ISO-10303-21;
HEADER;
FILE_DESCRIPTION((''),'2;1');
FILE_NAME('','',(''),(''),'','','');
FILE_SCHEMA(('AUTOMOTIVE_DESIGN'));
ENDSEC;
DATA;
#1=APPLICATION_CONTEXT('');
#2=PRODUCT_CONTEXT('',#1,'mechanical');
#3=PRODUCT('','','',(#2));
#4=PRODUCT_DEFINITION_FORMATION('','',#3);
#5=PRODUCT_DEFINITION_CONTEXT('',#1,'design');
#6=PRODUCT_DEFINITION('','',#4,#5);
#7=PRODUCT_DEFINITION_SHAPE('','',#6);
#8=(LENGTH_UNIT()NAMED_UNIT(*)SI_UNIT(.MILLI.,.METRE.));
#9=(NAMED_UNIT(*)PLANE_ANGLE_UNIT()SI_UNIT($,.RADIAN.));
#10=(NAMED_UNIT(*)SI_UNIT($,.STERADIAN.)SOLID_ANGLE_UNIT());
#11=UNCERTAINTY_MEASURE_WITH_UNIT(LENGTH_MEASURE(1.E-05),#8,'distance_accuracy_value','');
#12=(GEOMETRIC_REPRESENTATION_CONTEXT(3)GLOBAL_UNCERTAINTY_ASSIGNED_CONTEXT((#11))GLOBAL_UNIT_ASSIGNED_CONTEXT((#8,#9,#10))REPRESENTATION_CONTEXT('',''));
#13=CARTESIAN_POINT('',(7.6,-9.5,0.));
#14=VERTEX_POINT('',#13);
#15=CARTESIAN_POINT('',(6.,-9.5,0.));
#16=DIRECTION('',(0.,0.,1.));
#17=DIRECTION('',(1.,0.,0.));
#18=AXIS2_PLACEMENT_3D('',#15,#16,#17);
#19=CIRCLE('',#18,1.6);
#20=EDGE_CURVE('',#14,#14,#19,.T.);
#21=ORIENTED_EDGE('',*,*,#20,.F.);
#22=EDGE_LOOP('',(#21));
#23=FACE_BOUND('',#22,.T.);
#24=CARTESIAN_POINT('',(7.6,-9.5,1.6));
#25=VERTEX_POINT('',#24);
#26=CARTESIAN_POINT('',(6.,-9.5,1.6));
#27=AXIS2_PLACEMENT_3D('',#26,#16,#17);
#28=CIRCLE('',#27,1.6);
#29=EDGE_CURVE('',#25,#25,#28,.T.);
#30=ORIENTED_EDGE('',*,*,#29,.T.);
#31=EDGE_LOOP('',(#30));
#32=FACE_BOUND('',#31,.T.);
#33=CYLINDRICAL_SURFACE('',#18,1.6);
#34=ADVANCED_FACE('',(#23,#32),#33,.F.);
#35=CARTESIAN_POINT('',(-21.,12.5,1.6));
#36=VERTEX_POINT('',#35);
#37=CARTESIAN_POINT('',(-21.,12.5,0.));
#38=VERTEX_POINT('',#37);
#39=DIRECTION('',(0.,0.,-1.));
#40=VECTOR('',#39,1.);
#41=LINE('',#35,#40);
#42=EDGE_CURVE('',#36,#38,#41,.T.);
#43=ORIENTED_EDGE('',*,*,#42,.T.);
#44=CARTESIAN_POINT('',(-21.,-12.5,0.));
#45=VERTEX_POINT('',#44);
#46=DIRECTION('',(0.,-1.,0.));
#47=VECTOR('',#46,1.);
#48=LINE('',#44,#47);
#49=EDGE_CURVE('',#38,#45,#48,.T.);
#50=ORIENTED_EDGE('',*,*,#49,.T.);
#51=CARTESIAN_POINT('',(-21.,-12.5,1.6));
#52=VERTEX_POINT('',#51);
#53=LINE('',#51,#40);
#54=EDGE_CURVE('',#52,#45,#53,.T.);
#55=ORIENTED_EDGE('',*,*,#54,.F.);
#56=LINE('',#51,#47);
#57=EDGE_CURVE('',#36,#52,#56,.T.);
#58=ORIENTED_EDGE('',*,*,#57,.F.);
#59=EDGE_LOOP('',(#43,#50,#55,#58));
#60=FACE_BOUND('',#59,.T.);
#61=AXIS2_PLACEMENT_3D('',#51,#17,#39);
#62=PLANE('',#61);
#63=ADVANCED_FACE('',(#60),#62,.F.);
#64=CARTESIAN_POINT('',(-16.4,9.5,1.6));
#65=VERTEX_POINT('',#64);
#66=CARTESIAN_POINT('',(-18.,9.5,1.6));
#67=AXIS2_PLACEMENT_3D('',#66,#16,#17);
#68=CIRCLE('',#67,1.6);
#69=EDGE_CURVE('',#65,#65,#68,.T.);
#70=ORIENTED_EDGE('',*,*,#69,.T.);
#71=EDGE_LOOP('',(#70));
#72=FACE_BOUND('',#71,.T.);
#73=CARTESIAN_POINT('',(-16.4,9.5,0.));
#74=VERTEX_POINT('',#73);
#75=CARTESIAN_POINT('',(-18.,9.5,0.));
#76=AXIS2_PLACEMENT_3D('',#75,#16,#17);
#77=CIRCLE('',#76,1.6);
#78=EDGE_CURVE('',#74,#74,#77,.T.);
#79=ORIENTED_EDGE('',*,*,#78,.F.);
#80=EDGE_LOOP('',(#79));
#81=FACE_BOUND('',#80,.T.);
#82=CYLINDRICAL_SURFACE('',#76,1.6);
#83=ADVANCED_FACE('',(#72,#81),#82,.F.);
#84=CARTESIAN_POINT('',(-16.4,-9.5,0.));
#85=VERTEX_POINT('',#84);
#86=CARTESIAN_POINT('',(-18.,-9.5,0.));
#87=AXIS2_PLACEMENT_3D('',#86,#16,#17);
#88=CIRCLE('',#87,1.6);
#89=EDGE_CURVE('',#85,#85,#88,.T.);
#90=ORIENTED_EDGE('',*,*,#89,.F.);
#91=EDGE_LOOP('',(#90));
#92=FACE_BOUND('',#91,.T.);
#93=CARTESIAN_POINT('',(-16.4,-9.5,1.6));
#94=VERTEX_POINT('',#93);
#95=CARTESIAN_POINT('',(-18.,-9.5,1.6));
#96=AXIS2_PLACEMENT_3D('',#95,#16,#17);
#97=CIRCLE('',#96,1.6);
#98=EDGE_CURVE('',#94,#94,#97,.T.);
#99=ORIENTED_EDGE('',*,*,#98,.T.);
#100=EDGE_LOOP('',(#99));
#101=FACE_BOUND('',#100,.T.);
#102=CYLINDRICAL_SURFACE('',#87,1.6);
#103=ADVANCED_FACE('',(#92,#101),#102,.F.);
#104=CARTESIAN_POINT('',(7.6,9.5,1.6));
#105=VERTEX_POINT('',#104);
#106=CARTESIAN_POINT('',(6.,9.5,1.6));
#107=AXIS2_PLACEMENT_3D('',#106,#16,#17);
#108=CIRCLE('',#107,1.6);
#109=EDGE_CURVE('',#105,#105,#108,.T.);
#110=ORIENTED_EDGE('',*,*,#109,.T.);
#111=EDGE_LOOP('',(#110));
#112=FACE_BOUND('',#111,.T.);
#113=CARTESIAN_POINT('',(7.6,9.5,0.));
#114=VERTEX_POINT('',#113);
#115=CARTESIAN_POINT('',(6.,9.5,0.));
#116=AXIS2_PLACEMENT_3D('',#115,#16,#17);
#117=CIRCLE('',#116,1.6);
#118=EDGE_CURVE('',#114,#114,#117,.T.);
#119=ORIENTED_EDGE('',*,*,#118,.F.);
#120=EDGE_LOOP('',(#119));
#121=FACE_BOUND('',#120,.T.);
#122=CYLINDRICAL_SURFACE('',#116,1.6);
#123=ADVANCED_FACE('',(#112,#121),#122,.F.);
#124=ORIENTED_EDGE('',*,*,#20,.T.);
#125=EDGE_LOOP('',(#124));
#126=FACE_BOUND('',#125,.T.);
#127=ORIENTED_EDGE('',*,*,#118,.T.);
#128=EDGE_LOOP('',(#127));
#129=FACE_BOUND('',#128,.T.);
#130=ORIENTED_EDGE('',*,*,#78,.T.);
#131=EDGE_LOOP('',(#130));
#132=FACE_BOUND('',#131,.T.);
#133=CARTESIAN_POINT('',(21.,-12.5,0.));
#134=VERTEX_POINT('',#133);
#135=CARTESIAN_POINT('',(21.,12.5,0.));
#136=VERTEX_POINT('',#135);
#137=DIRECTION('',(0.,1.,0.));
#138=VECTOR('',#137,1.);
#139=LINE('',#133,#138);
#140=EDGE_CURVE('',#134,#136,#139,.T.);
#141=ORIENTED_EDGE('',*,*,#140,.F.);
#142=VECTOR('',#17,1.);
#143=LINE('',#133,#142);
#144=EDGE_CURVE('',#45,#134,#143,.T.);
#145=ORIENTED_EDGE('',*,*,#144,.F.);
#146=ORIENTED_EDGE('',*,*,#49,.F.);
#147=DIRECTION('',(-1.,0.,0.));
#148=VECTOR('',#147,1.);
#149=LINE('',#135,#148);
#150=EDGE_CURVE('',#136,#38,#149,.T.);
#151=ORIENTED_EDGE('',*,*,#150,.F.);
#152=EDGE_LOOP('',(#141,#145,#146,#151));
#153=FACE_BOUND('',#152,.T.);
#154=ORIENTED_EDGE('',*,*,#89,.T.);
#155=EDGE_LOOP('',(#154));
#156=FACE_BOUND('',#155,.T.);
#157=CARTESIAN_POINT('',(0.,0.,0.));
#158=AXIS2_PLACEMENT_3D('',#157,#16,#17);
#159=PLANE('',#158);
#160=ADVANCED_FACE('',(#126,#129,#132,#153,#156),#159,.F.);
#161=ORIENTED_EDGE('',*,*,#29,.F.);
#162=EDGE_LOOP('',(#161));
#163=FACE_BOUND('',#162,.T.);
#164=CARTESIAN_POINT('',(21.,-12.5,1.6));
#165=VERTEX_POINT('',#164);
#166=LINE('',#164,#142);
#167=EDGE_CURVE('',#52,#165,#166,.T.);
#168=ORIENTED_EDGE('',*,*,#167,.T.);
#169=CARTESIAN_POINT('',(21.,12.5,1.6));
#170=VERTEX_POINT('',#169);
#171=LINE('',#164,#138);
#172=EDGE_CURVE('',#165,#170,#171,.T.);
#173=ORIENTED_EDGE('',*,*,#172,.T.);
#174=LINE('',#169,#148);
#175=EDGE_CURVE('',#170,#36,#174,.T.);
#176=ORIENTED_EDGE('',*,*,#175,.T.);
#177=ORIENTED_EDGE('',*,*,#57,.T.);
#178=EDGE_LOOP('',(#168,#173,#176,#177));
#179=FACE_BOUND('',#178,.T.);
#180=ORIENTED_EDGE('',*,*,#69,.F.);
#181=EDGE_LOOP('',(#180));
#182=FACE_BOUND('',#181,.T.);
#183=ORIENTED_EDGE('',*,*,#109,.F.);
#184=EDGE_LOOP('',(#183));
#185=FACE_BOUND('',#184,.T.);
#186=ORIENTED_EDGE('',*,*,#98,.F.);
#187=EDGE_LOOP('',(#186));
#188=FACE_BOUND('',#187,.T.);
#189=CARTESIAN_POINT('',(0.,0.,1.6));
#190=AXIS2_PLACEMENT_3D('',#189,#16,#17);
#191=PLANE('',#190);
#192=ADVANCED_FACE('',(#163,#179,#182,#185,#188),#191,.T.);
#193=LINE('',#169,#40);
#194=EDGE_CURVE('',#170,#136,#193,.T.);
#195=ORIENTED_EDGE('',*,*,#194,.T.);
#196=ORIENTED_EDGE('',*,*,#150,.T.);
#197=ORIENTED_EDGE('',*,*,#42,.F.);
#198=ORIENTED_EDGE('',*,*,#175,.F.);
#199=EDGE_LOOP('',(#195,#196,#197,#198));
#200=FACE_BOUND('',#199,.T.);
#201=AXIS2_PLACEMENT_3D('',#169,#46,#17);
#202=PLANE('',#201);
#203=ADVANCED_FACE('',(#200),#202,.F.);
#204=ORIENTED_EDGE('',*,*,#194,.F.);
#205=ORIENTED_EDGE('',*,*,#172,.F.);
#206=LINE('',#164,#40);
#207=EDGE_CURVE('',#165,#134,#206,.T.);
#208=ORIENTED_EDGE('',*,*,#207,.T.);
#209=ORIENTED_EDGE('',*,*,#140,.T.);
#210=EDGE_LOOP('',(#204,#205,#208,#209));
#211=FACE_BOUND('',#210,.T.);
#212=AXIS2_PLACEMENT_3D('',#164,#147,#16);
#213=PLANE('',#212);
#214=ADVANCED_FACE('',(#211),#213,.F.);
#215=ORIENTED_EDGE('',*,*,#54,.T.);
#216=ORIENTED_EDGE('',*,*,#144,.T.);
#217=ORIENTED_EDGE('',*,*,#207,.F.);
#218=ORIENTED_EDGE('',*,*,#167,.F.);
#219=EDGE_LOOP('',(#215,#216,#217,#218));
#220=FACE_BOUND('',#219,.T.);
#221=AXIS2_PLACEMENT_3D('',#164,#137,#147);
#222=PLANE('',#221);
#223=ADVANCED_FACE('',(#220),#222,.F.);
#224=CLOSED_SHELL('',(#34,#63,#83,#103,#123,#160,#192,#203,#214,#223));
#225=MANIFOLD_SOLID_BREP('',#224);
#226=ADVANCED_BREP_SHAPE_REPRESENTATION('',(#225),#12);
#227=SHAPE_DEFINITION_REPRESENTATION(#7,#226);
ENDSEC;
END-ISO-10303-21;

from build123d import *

# Parameters (mm, degrees)
SKETCH_1_W          = 42
SKETCH_1_H          = 25
EXTRUDE_1_DEPTH     = 1.6
SKETCH_2_R          = 1.6
CUT_EXTRUDE_1_DEPTH = 1.6


with BuildPart() as part:
    # 草图1 → 凸台-拉伸1 (new body)
    with BuildSketch(Plane.XY):
        Rectangle(SKETCH_1_W, SKETCH_1_H)
    extrude(amount=EXTRUDE_1_DEPTH)

    # 草图2 → 切除-拉伸1 (cut)
    with BuildSketch(Plane.XY.offset(1.6)):
        with Locations((-18, 9.5)):
            Circle(SKETCH_2_R)
        with Locations((-18, -9.5)):
            Circle(SKETCH_2_R)
        with Locations((6, 9.5)):
            Circle(SKETCH_2_R)
        with Locations((6, -9.5)):
            Circle(SKETCH_2_R)
    extrude(amount=-CUT_EXTRUDE_1_DEPTH, mode=Mode.SUBTRACT)


solid = part.part
